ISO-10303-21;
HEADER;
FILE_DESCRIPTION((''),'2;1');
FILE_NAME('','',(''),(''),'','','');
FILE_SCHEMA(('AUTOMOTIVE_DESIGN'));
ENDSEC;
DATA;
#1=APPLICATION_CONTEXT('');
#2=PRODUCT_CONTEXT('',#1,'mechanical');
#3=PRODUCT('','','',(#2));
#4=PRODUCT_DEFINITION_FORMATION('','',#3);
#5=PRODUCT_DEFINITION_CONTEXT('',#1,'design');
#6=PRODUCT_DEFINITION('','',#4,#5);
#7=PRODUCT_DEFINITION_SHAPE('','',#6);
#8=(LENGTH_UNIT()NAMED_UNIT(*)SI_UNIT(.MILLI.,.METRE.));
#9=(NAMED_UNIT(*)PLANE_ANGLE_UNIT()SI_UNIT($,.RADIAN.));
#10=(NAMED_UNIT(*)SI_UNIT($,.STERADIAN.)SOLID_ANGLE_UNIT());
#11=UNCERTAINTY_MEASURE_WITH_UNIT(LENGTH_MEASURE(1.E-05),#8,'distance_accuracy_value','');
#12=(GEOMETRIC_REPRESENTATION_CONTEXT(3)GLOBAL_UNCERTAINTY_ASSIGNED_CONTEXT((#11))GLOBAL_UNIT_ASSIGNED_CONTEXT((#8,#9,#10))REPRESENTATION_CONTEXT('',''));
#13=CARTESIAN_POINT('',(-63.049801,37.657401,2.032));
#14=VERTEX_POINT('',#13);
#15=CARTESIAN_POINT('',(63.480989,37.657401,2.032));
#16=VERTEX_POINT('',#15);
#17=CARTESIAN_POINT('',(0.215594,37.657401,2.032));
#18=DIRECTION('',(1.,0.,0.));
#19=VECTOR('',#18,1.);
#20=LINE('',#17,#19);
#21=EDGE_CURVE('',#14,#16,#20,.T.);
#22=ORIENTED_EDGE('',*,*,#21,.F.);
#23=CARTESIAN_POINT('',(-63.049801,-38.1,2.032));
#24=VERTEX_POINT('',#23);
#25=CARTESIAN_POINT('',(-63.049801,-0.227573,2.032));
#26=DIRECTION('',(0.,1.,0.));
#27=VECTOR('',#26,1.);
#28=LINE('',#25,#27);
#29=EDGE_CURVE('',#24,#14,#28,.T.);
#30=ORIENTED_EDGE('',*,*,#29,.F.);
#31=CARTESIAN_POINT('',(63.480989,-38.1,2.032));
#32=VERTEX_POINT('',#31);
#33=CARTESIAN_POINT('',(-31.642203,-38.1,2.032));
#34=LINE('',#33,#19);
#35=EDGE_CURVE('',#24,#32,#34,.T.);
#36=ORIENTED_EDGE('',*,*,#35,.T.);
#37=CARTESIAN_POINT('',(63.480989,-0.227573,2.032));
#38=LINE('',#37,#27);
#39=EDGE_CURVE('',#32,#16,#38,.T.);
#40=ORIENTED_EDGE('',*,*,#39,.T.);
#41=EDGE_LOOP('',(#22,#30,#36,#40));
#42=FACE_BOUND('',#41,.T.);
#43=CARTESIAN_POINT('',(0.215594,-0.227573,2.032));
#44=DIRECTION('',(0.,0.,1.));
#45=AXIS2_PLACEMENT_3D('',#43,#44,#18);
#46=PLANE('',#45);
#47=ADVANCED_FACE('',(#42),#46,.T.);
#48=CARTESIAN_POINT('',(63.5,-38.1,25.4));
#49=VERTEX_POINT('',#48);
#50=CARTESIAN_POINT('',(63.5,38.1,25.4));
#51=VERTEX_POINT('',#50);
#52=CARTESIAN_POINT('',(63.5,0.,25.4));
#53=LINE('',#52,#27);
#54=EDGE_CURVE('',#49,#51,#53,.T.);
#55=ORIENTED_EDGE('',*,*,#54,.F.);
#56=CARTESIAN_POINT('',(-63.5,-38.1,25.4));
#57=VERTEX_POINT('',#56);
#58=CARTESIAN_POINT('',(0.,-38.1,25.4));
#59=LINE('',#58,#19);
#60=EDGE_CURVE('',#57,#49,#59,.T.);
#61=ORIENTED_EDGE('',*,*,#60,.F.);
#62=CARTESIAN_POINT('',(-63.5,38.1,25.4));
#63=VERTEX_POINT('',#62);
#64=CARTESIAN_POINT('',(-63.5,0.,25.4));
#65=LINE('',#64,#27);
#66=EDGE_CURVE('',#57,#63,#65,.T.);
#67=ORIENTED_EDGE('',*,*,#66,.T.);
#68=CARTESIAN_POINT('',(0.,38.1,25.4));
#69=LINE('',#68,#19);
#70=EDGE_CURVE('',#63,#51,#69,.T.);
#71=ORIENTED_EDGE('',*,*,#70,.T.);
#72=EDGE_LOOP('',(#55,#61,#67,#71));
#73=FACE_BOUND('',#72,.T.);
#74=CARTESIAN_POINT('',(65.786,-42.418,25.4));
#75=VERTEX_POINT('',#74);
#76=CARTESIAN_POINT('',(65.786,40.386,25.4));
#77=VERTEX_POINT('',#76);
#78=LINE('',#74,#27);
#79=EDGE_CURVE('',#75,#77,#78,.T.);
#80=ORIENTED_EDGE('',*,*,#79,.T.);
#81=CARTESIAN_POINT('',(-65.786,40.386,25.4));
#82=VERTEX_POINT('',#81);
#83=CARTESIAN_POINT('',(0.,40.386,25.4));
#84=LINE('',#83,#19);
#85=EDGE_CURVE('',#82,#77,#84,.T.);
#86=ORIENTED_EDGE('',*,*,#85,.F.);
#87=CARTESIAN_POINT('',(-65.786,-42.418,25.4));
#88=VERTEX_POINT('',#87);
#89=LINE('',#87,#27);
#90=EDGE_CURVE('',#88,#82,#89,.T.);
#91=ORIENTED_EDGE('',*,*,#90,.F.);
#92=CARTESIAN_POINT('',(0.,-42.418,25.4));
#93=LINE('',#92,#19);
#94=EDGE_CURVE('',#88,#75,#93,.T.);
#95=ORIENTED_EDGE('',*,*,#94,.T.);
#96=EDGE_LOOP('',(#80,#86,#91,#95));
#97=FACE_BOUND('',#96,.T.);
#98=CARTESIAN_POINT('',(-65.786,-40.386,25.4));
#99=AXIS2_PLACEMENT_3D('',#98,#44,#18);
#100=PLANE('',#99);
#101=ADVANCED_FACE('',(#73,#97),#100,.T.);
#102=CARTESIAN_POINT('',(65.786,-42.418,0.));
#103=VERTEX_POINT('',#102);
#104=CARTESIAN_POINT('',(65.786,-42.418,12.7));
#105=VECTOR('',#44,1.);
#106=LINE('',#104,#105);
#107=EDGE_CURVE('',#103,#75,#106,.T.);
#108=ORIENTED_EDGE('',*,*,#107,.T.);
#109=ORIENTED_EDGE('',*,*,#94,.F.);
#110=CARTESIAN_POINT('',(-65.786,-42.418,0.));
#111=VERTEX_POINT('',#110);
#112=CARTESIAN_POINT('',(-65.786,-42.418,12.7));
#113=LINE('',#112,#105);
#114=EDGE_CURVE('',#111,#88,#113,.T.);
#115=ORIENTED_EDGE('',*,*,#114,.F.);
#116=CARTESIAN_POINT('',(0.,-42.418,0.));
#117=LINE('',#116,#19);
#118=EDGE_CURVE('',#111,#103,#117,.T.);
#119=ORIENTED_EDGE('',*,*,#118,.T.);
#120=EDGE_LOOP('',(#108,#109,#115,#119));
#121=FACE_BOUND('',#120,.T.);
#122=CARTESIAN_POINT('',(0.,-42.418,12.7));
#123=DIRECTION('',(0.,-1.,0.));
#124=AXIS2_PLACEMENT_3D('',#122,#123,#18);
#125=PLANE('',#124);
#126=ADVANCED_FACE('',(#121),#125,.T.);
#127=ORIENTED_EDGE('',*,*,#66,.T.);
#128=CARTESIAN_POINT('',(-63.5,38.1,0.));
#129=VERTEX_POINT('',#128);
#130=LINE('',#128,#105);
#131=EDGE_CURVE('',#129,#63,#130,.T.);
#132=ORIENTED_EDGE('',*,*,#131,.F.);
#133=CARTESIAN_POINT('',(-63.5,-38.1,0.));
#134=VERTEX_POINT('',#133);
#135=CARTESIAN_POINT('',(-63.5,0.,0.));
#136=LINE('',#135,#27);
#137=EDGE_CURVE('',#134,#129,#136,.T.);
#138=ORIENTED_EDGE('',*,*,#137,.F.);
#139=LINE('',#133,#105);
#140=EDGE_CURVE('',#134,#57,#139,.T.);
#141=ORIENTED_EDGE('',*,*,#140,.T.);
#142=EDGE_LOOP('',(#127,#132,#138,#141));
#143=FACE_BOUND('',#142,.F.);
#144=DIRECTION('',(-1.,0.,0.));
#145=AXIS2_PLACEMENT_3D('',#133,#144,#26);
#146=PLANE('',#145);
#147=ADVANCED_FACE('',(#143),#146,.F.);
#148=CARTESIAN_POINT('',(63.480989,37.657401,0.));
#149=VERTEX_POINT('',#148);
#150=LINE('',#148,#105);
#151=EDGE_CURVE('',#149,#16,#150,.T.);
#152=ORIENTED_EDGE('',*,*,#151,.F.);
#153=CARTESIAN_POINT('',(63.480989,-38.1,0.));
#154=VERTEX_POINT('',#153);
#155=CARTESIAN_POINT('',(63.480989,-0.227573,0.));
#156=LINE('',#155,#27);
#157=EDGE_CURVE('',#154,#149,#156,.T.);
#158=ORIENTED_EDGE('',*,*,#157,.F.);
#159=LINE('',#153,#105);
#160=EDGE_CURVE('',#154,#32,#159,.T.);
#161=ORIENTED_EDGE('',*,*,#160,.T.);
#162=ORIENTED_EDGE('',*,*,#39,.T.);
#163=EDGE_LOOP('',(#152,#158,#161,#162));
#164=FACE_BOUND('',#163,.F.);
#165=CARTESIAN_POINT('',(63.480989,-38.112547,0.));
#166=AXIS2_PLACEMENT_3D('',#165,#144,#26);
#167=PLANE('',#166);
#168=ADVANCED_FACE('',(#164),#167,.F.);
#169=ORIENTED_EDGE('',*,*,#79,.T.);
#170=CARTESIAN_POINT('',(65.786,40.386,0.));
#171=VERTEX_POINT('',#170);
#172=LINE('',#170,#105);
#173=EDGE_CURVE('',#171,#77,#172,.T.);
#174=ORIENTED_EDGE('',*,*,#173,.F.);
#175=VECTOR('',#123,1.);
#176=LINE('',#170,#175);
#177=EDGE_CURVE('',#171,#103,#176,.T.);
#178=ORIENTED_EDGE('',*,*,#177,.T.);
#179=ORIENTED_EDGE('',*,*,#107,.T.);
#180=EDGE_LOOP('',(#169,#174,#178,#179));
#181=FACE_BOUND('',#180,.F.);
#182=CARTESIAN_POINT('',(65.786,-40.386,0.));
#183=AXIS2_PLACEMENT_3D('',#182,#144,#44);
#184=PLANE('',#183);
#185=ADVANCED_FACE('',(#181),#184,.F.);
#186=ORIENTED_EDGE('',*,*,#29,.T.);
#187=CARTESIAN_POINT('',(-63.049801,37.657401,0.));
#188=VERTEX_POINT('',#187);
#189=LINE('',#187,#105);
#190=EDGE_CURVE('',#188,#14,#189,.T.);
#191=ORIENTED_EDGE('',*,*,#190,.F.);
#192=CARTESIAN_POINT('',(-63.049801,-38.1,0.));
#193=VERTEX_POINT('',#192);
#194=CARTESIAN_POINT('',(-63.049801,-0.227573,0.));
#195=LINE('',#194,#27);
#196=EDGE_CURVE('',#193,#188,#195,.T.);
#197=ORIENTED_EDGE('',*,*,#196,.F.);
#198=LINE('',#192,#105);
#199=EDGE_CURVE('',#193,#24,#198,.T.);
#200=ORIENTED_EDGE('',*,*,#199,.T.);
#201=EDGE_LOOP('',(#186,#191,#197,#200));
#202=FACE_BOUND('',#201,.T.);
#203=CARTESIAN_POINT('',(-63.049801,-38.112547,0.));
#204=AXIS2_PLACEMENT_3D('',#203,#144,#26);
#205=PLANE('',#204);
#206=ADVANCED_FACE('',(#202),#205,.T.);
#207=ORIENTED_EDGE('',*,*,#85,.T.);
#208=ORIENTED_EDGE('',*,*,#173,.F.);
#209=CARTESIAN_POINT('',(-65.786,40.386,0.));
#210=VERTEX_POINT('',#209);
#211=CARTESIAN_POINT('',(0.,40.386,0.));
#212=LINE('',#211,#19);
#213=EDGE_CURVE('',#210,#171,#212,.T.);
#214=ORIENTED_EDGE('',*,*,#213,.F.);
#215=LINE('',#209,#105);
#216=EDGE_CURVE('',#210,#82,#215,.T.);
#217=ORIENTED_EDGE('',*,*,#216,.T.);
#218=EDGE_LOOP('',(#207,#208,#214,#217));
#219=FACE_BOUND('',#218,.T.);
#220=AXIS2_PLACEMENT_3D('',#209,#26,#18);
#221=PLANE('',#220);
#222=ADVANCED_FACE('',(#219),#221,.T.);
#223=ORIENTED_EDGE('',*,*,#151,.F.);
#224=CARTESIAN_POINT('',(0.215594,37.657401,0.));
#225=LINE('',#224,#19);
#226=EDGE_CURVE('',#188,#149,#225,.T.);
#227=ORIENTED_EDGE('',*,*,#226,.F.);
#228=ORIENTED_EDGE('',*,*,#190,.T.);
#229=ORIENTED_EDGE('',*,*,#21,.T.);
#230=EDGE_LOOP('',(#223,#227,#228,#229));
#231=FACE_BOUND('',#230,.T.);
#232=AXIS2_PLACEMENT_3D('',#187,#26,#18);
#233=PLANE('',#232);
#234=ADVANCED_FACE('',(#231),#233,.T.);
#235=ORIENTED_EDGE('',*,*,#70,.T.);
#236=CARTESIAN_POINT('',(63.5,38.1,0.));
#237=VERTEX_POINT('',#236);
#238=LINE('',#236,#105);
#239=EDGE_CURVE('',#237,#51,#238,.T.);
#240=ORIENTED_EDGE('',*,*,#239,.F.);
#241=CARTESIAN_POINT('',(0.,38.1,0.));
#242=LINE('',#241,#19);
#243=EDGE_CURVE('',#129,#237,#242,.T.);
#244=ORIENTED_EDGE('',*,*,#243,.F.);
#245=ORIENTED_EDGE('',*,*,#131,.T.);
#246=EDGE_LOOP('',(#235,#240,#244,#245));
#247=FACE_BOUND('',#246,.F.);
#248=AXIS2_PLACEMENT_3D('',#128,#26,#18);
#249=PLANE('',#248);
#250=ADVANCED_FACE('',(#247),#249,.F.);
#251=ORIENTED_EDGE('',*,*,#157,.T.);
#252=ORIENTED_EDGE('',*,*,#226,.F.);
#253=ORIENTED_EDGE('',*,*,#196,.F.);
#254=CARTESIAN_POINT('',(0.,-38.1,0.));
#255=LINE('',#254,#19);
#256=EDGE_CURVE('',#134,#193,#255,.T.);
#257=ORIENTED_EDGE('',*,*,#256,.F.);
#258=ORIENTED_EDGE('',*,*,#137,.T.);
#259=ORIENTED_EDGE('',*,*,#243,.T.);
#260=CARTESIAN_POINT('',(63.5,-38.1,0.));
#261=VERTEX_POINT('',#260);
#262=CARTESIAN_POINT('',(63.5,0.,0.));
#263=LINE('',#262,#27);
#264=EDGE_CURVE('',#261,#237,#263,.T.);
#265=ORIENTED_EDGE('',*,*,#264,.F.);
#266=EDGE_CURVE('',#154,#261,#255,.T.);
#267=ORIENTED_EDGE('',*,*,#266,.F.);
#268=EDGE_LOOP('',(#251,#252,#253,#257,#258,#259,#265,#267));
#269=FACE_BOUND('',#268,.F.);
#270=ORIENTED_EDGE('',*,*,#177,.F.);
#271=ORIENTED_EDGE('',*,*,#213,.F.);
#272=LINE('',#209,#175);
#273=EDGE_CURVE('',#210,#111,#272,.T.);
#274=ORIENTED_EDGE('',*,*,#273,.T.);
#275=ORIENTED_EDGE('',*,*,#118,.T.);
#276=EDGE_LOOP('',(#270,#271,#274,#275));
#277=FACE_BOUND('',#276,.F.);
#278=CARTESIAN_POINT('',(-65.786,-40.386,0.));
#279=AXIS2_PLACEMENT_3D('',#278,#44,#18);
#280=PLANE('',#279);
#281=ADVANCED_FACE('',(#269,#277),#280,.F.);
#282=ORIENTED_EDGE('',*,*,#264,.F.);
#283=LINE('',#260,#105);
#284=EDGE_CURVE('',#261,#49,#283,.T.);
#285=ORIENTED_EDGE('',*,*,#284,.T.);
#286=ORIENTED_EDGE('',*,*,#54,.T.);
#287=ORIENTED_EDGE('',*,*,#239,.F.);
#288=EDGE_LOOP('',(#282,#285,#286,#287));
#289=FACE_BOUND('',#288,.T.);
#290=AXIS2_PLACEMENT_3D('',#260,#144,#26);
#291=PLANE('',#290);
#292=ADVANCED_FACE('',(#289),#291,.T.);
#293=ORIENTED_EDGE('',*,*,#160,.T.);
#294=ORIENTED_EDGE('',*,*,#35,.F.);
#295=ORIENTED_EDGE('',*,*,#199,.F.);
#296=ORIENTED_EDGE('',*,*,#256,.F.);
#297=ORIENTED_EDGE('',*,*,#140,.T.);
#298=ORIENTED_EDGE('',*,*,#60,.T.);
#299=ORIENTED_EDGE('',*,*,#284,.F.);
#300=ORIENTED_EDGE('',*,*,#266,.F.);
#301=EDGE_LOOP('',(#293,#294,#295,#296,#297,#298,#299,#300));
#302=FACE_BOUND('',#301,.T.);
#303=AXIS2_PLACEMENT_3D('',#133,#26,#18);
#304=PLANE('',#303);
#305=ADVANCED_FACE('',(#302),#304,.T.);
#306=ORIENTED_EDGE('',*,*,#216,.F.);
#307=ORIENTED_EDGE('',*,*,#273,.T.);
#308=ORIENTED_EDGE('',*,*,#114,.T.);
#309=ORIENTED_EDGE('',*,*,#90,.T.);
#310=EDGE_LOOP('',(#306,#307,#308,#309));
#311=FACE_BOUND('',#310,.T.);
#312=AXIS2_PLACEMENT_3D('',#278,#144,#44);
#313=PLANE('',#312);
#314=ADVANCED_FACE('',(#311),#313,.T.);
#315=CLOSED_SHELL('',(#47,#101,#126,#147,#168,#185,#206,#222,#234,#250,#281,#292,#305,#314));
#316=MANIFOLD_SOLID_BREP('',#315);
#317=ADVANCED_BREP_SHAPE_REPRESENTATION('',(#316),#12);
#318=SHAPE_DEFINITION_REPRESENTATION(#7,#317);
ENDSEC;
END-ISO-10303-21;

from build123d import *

# Parameters (mm, degrees)
F0_W      = 131.572
F0_H      = 80.772
F0_W_2    = 127
F0_H_2    = 76.2
F1_DEPTH  = 25.4
F1_FACE_W = 131.572
F1_FACE_H = 25.4
F3_DEPTH  = 2.032
F2_W      = 126.530789
F2_H      = 75.769949
F4_DEPTH  = 2.032


with BuildPart() as f1:
    # F0 (on Top) → F1 (new body)
    with BuildSketch(Plane.XY):
        Rectangle(F0_W, F0_H)
        Rectangle(F0_W_2, F0_H_2, mode=Mode.SUBTRACT)
    extrude(amount=F1_DEPTH)

    # F1_face (on face) → F3 (join)
    with BuildSketch(Plane(origin=(0, -40.386, 12.7), x_dir=(1, 0, 0), z_dir=(0, -1, 0))):
        Rectangle(F1_FACE_W, F1_FACE_H)
    extrude(amount=F3_DEPTH)

    # F2 (on Top) → F4 (join)
    with BuildSketch(Plane.XY):
        with Locations((0.215594, -0.227573)):
            Rectangle(F2_W, F2_H)
    extrude(amount=F4_DEPTH)


solid = f1.part
